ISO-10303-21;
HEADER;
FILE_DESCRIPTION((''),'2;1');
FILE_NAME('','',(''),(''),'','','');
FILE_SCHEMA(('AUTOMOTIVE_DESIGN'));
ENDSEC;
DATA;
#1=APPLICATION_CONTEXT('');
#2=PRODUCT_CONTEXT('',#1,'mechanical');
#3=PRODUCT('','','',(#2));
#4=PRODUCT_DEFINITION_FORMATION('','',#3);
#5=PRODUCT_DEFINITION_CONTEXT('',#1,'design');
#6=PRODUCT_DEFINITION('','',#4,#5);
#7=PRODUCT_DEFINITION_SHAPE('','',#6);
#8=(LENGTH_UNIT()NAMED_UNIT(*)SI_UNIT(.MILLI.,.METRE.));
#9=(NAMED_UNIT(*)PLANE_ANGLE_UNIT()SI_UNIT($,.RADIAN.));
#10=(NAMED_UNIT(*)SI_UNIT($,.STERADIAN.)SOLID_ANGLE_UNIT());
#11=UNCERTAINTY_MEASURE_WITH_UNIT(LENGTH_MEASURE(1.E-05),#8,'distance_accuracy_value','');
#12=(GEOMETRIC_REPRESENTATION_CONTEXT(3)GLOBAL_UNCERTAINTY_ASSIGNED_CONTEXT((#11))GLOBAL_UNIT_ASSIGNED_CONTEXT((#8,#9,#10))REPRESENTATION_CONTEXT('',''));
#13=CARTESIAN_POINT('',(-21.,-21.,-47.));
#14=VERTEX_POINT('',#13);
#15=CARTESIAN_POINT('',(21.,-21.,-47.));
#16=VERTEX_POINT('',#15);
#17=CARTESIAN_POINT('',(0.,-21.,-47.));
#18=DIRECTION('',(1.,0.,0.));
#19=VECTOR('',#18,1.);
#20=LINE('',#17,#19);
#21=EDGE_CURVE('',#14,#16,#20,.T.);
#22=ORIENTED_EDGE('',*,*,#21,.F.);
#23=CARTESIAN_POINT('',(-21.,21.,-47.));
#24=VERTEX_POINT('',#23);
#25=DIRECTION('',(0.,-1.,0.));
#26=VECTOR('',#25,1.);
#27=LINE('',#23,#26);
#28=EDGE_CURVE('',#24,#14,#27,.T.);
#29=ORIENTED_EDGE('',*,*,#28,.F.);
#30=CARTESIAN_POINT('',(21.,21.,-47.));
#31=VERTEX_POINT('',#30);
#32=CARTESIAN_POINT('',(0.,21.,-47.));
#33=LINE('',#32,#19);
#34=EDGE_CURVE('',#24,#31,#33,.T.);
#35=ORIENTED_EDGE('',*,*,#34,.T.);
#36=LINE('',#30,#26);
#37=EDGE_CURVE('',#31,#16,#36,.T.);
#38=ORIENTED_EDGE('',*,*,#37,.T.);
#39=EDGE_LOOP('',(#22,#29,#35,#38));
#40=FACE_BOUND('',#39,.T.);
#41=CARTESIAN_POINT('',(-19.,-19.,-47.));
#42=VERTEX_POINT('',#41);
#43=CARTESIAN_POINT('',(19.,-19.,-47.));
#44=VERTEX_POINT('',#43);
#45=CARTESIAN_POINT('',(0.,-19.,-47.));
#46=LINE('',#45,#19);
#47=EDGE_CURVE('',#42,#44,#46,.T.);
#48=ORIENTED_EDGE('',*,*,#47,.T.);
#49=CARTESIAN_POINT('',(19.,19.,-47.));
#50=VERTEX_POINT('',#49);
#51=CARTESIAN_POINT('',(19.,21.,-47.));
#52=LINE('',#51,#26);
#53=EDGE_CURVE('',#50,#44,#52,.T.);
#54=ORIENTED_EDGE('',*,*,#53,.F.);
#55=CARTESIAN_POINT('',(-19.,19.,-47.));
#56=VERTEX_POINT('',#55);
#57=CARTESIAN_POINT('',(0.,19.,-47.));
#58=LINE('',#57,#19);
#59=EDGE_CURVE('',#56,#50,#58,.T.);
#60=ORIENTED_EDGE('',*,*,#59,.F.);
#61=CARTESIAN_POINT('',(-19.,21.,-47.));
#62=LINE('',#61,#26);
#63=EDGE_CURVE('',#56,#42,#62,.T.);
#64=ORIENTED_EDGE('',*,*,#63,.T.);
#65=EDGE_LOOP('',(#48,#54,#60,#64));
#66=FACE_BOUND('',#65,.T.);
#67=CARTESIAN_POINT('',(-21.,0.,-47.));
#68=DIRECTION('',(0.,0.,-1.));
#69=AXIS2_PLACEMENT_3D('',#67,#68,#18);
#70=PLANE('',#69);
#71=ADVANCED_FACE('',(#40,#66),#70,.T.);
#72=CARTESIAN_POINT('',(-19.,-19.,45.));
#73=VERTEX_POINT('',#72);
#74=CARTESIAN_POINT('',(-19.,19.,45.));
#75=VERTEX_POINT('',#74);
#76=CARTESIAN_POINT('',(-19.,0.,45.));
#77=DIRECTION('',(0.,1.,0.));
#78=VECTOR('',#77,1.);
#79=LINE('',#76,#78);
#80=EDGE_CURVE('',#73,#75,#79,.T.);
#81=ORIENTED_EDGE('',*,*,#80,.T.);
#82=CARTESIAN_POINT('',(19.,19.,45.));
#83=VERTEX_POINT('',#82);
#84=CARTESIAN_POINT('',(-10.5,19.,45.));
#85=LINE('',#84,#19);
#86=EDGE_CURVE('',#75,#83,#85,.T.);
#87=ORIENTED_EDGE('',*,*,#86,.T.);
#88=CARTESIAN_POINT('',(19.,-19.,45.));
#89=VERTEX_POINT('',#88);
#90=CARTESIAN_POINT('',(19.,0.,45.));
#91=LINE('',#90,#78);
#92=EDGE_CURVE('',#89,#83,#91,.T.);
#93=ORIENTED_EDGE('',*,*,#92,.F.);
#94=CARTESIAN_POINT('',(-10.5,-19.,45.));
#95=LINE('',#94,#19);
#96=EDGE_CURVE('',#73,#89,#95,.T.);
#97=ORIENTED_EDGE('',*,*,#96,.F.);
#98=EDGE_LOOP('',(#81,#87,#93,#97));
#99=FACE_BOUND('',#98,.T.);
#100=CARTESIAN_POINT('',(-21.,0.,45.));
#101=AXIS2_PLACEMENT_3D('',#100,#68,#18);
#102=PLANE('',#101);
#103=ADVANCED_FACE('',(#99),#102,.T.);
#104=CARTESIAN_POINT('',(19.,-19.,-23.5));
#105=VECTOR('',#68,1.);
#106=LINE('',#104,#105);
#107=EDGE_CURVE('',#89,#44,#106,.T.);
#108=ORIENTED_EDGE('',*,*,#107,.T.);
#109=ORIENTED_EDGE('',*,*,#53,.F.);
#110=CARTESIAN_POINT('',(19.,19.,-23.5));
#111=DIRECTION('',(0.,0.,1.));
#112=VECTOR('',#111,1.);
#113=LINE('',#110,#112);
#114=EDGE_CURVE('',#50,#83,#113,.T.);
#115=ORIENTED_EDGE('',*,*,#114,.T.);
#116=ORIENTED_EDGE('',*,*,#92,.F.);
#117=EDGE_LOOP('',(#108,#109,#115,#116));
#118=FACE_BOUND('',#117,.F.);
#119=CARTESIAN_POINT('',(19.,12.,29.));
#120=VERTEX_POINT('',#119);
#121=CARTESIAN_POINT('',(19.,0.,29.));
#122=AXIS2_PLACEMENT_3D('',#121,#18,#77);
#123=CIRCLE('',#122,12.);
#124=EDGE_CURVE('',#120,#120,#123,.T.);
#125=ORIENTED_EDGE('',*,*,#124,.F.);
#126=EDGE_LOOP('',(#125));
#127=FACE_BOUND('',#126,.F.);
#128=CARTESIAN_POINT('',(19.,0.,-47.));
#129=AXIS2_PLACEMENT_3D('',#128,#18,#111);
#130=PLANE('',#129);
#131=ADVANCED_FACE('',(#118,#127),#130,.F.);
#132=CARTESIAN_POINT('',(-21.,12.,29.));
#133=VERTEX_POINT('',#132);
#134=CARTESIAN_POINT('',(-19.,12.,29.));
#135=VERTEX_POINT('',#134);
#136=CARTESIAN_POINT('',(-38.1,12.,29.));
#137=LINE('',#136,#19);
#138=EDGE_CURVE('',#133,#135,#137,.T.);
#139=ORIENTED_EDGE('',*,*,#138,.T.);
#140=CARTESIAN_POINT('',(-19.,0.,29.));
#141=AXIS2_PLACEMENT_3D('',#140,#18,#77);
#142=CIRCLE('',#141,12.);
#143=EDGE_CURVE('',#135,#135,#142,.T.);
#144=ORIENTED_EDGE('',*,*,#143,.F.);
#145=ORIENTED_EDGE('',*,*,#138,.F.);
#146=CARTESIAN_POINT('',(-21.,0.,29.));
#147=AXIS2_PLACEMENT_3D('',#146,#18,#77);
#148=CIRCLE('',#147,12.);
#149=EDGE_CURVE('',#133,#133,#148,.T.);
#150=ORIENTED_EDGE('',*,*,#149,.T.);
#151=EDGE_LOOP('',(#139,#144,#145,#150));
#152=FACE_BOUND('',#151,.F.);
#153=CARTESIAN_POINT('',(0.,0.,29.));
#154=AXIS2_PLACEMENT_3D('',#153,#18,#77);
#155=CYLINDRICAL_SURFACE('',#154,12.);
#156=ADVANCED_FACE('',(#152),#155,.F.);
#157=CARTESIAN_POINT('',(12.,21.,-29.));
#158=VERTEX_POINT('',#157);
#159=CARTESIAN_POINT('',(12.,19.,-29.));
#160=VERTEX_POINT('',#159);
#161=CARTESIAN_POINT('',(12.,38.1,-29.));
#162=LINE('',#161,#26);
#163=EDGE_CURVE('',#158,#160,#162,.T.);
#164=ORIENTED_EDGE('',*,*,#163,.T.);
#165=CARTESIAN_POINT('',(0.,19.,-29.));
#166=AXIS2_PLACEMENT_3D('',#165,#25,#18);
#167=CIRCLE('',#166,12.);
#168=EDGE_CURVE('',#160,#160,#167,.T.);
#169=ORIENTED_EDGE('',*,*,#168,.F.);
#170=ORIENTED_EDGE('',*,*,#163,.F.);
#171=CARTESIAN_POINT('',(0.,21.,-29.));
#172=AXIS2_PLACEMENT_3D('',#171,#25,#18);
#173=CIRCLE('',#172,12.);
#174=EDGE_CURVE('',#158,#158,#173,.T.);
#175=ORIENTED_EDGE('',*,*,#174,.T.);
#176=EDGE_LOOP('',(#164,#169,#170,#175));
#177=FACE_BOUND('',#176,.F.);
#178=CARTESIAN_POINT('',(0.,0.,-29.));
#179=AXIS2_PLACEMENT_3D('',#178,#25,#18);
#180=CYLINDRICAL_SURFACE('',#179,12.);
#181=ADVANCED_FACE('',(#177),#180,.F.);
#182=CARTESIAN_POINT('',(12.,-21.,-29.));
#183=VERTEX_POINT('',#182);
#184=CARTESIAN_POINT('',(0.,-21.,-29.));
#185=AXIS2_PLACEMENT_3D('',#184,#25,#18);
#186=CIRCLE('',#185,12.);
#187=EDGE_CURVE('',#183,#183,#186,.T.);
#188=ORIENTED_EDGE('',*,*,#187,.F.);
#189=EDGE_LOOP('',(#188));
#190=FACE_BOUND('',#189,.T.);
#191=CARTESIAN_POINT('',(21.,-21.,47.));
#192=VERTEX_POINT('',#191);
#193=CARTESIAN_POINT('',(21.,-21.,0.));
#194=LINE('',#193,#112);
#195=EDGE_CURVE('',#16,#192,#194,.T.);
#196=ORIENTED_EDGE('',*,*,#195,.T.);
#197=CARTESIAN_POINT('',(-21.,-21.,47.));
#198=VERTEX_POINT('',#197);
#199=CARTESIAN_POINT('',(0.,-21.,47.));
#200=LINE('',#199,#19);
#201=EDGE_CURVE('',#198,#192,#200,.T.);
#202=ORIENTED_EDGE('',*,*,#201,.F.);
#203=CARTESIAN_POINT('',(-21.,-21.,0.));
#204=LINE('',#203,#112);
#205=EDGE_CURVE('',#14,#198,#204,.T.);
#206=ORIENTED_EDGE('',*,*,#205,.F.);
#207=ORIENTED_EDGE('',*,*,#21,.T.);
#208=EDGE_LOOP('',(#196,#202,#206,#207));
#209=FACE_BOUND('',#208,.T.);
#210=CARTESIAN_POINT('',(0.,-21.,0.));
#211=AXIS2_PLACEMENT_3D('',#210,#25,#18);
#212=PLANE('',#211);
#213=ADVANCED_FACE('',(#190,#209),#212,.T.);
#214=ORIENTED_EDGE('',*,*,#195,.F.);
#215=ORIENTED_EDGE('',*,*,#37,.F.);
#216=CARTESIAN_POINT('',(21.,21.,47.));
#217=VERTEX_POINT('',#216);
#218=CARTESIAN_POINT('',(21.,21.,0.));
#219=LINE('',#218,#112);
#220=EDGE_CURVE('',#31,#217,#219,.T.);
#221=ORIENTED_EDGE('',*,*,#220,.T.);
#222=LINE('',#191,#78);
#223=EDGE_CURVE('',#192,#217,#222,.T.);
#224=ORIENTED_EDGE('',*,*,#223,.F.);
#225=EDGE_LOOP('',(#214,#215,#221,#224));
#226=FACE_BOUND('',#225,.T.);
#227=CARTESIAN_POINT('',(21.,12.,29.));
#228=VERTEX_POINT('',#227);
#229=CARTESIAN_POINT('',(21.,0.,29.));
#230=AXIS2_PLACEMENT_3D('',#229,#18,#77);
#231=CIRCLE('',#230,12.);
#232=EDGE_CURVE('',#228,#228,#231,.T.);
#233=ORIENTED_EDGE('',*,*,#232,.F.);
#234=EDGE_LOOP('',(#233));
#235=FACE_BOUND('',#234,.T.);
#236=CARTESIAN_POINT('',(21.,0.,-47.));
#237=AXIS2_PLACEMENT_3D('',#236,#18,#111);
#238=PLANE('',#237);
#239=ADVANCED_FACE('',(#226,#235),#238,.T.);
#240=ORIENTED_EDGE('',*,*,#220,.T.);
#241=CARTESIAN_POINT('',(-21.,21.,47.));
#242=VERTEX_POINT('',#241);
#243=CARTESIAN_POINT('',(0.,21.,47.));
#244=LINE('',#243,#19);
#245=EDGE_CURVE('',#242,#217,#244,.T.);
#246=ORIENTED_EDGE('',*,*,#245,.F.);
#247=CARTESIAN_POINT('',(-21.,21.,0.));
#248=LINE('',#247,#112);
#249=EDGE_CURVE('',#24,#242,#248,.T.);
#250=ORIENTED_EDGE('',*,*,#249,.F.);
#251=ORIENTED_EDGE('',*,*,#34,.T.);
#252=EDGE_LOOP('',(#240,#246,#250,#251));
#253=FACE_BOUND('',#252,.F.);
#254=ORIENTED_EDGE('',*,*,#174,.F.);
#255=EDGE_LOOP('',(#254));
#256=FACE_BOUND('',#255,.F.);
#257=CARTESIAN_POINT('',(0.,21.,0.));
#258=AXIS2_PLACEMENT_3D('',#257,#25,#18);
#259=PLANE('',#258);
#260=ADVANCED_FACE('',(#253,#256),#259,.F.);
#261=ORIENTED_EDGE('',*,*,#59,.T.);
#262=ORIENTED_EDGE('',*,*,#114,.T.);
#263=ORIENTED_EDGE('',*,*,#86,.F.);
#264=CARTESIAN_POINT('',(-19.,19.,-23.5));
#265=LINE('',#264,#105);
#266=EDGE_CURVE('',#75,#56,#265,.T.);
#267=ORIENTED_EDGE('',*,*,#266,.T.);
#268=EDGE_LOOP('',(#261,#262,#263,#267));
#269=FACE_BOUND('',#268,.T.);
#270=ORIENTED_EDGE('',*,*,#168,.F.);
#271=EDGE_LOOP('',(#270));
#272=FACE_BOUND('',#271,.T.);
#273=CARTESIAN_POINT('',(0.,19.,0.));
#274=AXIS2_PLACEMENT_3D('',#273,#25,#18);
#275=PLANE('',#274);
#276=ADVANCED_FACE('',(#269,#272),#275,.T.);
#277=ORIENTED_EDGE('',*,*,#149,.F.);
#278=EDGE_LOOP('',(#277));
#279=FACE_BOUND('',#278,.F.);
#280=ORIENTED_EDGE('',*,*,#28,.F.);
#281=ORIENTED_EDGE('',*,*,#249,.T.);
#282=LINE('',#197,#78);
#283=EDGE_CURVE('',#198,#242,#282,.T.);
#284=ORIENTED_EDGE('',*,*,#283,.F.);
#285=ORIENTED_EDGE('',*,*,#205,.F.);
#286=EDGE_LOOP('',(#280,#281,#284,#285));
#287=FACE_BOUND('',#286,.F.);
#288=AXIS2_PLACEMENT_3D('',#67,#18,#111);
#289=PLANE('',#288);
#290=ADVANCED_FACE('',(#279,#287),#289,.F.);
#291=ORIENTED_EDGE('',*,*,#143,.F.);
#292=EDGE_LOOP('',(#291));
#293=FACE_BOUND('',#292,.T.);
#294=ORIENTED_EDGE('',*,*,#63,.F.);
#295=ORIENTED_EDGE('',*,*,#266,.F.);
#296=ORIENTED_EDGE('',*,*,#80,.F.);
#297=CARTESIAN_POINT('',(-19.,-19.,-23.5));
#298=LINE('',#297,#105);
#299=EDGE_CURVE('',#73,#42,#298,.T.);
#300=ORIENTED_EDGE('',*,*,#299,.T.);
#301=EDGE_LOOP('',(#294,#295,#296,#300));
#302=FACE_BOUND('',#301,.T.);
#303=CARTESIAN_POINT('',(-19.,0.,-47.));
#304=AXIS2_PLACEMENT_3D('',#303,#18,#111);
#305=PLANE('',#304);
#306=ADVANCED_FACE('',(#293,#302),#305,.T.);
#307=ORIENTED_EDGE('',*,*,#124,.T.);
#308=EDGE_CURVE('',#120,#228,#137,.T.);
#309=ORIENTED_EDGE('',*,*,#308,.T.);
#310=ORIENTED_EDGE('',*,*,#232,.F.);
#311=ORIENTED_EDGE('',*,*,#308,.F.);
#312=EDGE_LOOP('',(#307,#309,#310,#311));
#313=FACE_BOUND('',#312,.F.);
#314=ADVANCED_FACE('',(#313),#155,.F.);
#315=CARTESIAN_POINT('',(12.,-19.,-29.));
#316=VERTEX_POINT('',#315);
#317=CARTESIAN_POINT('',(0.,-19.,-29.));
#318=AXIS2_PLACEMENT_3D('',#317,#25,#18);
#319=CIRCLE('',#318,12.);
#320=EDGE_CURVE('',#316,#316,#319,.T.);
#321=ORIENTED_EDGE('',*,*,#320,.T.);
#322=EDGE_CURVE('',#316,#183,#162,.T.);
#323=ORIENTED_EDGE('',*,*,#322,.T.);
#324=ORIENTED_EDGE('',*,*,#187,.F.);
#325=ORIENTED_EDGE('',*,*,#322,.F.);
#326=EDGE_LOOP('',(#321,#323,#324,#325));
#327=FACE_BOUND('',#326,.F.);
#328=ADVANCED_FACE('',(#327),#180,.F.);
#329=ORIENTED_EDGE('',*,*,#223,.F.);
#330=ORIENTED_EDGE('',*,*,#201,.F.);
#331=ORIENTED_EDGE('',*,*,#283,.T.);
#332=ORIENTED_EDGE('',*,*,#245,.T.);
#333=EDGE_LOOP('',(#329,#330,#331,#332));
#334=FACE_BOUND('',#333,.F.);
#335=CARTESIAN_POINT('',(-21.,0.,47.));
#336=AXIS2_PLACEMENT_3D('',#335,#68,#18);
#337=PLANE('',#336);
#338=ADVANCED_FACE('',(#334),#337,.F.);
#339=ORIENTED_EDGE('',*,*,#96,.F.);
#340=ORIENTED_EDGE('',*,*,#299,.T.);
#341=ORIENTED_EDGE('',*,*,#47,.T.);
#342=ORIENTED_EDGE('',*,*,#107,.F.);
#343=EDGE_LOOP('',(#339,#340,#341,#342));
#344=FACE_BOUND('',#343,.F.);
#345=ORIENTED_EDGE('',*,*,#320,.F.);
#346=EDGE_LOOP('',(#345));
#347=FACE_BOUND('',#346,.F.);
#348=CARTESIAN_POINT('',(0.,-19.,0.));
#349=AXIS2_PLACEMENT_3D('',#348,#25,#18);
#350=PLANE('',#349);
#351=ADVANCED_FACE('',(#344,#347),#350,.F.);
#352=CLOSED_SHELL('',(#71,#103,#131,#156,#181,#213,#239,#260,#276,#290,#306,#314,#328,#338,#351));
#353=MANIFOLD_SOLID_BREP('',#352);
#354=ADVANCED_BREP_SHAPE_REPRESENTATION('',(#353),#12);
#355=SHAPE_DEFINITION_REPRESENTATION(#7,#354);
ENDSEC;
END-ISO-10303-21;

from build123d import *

# Parameters (mm, degrees)
F0_W     = 42
F0_H     = 94
F1_DEPTH = 21
F3_T     = -2
F2_R     = 12
F4_DEPTH = 38.1
F5_R     = 12
F6_DEPTH = 38.1


with BuildPart() as f1:
    # F0 (on Front) → F1 (new body, symmetric)
    with BuildSketch(Plane.XZ):
        Rectangle(F0_W, F0_H)
    extrude(amount=F1_DEPTH, both=True)

    # F3
    f3_openings = [f1.faces().sort_by_distance(p)[0] for p in [
        (0, 0, -47),
    ]]
    offset(amount=F3_T, openings=f3_openings)

    # F2 (on Front) → F4 (cut, symmetric)
    with BuildSketch(Plane.XZ):
        with Locations((0, -29)):
            Circle(F2_R)
    extrude(amount=F4_DEPTH, both=True, mode=Mode.SUBTRACT)

    # F5 (on Right) → F6 (cut, symmetric)
    with BuildSketch(Plane.YZ):
        with Locations((0, 29)):
            Circle(F5_R)
    extrude(amount=F6_DEPTH, both=True, mode=Mode.SUBTRACT)


solid = f1.part
